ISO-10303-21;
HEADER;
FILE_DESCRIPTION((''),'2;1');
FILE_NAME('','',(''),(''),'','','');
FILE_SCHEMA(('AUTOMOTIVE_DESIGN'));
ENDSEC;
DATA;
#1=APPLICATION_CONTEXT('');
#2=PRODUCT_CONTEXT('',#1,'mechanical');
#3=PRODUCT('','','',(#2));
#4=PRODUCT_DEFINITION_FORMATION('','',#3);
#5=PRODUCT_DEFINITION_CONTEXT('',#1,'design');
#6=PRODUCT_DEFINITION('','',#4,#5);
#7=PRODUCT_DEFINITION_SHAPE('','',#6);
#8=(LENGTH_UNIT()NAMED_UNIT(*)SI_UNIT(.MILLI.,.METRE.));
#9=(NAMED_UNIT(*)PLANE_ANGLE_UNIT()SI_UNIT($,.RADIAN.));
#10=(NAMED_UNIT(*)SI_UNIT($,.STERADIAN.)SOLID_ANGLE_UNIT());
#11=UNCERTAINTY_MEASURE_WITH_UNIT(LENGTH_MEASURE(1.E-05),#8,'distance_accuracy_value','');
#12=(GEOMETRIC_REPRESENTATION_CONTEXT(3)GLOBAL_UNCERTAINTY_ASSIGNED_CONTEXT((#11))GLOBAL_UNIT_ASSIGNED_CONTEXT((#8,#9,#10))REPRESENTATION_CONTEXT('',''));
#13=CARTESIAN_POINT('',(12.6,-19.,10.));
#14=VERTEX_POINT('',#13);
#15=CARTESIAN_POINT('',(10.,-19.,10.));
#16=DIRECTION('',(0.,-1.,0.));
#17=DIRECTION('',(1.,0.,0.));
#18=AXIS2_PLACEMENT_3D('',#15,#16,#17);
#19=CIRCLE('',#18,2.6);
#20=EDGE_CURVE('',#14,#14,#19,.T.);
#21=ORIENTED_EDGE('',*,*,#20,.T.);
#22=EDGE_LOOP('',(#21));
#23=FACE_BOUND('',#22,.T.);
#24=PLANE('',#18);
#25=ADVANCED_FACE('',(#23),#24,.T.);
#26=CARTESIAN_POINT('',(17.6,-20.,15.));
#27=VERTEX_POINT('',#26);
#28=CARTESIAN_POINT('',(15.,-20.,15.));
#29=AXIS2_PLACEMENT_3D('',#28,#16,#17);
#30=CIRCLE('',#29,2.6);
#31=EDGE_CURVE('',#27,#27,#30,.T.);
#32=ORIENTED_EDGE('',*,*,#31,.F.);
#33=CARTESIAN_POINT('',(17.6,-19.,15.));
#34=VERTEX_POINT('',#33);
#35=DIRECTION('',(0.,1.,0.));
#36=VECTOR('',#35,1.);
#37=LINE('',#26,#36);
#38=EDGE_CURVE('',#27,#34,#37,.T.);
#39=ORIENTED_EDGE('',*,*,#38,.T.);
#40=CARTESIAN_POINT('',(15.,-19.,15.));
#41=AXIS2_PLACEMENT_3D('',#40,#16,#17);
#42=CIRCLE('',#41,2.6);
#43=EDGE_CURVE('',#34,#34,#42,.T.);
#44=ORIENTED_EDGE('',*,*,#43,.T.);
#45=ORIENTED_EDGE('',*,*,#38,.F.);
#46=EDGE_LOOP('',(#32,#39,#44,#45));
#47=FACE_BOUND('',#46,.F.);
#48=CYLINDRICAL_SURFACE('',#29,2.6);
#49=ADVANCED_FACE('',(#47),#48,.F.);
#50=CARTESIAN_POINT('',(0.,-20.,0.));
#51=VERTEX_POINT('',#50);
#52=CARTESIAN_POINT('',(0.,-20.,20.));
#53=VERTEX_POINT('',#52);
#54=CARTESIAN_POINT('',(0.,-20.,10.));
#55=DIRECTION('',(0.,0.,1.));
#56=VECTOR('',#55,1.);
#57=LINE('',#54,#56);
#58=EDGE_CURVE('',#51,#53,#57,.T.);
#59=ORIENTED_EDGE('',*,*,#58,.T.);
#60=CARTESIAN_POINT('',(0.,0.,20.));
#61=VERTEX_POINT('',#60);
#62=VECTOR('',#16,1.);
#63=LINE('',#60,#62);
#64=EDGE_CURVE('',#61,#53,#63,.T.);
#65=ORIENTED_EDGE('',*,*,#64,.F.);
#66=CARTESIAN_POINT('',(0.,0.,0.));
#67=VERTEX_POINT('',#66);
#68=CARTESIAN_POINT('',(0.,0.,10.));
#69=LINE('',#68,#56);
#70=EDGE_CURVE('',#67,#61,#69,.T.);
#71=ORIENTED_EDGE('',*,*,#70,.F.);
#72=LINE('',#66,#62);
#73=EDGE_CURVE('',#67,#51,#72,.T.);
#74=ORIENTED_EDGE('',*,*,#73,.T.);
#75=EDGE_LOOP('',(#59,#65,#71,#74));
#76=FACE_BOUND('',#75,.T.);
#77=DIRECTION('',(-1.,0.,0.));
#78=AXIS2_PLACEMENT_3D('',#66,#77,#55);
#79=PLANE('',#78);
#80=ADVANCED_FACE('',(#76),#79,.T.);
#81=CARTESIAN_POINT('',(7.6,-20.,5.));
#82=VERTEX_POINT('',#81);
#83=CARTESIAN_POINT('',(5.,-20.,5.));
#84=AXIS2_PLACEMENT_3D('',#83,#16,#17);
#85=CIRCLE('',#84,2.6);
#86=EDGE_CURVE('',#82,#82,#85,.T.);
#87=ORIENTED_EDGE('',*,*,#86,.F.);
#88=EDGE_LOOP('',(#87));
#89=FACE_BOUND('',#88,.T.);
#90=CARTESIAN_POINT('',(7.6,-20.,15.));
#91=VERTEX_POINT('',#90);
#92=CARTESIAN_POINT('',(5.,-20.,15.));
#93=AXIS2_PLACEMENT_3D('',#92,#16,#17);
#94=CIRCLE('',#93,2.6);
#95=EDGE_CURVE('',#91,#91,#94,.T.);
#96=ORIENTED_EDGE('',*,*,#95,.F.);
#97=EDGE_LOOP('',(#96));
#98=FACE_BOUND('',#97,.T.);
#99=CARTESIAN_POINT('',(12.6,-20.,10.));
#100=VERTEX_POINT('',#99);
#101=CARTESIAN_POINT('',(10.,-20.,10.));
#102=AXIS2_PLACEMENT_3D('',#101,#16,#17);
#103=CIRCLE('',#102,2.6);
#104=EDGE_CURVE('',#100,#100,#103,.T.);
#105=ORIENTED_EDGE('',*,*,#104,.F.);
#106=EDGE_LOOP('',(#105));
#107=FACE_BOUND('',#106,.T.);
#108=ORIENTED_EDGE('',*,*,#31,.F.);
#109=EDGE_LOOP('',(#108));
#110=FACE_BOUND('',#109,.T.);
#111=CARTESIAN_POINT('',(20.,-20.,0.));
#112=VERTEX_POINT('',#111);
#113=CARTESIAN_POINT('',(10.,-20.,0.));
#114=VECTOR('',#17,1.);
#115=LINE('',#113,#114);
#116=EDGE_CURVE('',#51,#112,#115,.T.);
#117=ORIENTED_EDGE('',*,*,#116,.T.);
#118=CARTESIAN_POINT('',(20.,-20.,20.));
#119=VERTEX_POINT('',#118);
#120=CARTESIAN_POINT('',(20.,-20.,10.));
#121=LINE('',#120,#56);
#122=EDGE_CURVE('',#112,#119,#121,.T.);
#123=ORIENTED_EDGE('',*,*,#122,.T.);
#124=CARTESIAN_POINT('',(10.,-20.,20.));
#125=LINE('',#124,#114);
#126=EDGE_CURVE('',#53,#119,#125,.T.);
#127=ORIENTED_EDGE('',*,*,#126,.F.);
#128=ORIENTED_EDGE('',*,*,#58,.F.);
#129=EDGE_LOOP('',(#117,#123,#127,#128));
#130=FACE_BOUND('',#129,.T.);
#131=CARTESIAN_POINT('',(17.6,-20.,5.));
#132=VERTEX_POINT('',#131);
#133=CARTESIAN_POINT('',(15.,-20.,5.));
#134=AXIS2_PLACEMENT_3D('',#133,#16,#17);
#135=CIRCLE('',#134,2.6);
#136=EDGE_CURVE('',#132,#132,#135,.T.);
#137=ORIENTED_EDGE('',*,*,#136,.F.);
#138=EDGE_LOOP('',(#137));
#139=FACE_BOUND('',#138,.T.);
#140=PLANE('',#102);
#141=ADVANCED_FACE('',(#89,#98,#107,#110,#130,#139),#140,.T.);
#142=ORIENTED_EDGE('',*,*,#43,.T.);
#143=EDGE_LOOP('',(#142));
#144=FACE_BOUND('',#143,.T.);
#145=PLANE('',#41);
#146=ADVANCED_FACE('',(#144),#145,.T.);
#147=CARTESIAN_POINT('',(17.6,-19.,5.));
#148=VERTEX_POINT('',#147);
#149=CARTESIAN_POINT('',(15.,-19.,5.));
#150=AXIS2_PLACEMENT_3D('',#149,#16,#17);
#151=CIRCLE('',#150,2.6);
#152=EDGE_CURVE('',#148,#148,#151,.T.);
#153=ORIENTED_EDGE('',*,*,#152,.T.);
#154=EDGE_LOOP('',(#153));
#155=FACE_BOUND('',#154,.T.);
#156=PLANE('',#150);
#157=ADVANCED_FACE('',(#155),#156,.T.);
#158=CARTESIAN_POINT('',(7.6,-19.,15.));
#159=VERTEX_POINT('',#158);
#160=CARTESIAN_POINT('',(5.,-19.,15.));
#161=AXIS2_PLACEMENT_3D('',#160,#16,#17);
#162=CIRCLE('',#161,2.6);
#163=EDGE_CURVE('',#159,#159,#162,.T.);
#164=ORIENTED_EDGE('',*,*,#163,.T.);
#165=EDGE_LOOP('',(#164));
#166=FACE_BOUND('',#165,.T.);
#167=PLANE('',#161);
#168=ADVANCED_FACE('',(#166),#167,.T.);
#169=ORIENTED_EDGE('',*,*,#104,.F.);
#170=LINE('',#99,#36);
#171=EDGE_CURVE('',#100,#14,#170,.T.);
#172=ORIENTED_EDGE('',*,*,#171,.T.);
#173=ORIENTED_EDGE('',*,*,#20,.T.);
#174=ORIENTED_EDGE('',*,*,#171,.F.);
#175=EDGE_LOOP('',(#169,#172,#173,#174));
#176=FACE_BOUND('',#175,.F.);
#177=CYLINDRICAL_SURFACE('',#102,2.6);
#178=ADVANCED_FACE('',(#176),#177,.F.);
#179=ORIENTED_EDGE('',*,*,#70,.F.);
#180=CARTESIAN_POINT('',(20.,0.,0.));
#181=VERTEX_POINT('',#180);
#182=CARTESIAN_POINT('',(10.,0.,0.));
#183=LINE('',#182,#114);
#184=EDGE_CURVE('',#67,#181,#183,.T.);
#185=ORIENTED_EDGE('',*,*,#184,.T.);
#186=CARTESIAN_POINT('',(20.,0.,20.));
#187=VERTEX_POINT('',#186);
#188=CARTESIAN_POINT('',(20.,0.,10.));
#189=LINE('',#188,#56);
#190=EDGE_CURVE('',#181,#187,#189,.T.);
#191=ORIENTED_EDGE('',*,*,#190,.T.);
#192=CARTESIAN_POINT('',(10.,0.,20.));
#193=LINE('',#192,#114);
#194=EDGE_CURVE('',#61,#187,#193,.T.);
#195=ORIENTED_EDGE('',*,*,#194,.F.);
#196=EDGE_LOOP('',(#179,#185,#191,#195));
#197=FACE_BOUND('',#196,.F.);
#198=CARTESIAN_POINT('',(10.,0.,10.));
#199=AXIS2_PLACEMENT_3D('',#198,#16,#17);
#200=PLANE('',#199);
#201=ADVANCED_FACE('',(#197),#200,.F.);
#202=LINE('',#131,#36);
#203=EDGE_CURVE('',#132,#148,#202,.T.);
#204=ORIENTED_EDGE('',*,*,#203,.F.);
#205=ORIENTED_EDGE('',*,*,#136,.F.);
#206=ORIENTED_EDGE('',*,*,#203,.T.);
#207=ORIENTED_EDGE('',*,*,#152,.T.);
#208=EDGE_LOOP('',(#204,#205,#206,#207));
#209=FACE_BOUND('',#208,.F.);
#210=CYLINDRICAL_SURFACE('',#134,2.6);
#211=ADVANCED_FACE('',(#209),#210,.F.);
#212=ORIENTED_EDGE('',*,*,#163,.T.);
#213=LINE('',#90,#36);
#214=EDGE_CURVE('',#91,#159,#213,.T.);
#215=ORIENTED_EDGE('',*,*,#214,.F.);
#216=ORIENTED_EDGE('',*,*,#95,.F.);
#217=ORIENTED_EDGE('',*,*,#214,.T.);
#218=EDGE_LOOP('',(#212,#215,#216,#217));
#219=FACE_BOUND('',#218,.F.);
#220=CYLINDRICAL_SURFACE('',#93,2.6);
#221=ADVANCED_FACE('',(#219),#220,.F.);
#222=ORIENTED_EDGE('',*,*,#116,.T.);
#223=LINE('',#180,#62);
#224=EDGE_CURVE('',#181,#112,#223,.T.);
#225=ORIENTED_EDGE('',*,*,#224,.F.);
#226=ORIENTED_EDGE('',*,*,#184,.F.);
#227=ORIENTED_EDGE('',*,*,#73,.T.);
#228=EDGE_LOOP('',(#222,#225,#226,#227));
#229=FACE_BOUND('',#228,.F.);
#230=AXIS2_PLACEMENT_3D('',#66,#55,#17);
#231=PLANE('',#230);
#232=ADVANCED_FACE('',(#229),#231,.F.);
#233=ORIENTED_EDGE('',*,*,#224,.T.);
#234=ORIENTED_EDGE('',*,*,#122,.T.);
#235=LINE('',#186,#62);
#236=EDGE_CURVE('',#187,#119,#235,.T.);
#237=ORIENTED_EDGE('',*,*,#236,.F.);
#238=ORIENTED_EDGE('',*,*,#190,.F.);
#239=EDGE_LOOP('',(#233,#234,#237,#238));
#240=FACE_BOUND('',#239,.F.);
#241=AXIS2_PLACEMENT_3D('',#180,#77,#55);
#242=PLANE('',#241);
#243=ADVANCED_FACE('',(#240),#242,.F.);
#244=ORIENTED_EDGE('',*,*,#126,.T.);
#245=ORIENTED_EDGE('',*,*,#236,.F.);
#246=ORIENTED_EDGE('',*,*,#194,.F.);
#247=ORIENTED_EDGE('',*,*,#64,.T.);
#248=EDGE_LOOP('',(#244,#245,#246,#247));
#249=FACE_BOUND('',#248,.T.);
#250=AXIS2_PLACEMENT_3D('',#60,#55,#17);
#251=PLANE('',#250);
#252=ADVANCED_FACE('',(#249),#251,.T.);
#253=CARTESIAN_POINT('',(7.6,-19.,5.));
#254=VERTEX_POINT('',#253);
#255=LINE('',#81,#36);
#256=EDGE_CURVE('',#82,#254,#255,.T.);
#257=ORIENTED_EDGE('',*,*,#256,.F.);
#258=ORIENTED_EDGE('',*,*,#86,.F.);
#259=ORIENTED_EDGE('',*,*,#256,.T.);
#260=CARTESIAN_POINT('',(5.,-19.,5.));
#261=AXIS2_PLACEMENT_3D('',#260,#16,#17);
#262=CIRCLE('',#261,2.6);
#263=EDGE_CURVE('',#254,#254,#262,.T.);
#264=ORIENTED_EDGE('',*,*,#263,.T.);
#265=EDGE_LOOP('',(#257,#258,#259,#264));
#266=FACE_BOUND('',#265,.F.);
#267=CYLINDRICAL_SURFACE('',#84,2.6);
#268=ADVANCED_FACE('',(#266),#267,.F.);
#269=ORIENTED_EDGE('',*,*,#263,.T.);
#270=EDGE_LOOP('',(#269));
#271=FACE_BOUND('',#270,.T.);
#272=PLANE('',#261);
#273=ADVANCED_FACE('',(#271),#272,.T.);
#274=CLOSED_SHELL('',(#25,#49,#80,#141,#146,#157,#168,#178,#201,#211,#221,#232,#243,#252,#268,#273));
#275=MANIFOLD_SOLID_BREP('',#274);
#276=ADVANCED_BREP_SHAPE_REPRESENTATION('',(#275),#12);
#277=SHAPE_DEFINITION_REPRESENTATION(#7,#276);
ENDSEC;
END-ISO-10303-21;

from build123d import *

# Parameters (mm, degrees)
F0_W       = 20
F0_H       = 20
F1_DEPTH   = 20
F2_R       = 2.6
F1_FACE1_W = 20
F1_FACE1_H = 20
F3_DEPTH   = 1


with BuildPart() as f1:
    # F0 (on Front) → F1 (new body)
    with BuildSketch(Plane.XZ):
        with Locations((10, 10)):
            Rectangle(F0_W, F0_H)
    extrude(amount=F1_DEPTH)

    # F2 (on face) + F1_face1 (on face) → F3 (cut)
    with BuildSketch(Plane.XZ.offset(20)):
        with Locations((10, 10)):
            Circle(F2_R)
        with Locations((5, 15)):
            Circle(F2_R)
        with Locations((15, 5)):
            Circle(F2_R)
        with Locations((15, 15)):
            Circle(F2_R)
        with Locations((5, 5)):
            Circle(F2_R)
    with BuildSketch(Plane(origin=(10, 0, 10), x_dir=(1, 0, 0), z_dir=(0, 1, 0))):
        Rectangle(F1_FACE1_W, F1_FACE1_H)
    extrude(amount=-F3_DEPTH, dir=(0, -1, 0), mode=Mode.SUBTRACT)


solid = f1.part
